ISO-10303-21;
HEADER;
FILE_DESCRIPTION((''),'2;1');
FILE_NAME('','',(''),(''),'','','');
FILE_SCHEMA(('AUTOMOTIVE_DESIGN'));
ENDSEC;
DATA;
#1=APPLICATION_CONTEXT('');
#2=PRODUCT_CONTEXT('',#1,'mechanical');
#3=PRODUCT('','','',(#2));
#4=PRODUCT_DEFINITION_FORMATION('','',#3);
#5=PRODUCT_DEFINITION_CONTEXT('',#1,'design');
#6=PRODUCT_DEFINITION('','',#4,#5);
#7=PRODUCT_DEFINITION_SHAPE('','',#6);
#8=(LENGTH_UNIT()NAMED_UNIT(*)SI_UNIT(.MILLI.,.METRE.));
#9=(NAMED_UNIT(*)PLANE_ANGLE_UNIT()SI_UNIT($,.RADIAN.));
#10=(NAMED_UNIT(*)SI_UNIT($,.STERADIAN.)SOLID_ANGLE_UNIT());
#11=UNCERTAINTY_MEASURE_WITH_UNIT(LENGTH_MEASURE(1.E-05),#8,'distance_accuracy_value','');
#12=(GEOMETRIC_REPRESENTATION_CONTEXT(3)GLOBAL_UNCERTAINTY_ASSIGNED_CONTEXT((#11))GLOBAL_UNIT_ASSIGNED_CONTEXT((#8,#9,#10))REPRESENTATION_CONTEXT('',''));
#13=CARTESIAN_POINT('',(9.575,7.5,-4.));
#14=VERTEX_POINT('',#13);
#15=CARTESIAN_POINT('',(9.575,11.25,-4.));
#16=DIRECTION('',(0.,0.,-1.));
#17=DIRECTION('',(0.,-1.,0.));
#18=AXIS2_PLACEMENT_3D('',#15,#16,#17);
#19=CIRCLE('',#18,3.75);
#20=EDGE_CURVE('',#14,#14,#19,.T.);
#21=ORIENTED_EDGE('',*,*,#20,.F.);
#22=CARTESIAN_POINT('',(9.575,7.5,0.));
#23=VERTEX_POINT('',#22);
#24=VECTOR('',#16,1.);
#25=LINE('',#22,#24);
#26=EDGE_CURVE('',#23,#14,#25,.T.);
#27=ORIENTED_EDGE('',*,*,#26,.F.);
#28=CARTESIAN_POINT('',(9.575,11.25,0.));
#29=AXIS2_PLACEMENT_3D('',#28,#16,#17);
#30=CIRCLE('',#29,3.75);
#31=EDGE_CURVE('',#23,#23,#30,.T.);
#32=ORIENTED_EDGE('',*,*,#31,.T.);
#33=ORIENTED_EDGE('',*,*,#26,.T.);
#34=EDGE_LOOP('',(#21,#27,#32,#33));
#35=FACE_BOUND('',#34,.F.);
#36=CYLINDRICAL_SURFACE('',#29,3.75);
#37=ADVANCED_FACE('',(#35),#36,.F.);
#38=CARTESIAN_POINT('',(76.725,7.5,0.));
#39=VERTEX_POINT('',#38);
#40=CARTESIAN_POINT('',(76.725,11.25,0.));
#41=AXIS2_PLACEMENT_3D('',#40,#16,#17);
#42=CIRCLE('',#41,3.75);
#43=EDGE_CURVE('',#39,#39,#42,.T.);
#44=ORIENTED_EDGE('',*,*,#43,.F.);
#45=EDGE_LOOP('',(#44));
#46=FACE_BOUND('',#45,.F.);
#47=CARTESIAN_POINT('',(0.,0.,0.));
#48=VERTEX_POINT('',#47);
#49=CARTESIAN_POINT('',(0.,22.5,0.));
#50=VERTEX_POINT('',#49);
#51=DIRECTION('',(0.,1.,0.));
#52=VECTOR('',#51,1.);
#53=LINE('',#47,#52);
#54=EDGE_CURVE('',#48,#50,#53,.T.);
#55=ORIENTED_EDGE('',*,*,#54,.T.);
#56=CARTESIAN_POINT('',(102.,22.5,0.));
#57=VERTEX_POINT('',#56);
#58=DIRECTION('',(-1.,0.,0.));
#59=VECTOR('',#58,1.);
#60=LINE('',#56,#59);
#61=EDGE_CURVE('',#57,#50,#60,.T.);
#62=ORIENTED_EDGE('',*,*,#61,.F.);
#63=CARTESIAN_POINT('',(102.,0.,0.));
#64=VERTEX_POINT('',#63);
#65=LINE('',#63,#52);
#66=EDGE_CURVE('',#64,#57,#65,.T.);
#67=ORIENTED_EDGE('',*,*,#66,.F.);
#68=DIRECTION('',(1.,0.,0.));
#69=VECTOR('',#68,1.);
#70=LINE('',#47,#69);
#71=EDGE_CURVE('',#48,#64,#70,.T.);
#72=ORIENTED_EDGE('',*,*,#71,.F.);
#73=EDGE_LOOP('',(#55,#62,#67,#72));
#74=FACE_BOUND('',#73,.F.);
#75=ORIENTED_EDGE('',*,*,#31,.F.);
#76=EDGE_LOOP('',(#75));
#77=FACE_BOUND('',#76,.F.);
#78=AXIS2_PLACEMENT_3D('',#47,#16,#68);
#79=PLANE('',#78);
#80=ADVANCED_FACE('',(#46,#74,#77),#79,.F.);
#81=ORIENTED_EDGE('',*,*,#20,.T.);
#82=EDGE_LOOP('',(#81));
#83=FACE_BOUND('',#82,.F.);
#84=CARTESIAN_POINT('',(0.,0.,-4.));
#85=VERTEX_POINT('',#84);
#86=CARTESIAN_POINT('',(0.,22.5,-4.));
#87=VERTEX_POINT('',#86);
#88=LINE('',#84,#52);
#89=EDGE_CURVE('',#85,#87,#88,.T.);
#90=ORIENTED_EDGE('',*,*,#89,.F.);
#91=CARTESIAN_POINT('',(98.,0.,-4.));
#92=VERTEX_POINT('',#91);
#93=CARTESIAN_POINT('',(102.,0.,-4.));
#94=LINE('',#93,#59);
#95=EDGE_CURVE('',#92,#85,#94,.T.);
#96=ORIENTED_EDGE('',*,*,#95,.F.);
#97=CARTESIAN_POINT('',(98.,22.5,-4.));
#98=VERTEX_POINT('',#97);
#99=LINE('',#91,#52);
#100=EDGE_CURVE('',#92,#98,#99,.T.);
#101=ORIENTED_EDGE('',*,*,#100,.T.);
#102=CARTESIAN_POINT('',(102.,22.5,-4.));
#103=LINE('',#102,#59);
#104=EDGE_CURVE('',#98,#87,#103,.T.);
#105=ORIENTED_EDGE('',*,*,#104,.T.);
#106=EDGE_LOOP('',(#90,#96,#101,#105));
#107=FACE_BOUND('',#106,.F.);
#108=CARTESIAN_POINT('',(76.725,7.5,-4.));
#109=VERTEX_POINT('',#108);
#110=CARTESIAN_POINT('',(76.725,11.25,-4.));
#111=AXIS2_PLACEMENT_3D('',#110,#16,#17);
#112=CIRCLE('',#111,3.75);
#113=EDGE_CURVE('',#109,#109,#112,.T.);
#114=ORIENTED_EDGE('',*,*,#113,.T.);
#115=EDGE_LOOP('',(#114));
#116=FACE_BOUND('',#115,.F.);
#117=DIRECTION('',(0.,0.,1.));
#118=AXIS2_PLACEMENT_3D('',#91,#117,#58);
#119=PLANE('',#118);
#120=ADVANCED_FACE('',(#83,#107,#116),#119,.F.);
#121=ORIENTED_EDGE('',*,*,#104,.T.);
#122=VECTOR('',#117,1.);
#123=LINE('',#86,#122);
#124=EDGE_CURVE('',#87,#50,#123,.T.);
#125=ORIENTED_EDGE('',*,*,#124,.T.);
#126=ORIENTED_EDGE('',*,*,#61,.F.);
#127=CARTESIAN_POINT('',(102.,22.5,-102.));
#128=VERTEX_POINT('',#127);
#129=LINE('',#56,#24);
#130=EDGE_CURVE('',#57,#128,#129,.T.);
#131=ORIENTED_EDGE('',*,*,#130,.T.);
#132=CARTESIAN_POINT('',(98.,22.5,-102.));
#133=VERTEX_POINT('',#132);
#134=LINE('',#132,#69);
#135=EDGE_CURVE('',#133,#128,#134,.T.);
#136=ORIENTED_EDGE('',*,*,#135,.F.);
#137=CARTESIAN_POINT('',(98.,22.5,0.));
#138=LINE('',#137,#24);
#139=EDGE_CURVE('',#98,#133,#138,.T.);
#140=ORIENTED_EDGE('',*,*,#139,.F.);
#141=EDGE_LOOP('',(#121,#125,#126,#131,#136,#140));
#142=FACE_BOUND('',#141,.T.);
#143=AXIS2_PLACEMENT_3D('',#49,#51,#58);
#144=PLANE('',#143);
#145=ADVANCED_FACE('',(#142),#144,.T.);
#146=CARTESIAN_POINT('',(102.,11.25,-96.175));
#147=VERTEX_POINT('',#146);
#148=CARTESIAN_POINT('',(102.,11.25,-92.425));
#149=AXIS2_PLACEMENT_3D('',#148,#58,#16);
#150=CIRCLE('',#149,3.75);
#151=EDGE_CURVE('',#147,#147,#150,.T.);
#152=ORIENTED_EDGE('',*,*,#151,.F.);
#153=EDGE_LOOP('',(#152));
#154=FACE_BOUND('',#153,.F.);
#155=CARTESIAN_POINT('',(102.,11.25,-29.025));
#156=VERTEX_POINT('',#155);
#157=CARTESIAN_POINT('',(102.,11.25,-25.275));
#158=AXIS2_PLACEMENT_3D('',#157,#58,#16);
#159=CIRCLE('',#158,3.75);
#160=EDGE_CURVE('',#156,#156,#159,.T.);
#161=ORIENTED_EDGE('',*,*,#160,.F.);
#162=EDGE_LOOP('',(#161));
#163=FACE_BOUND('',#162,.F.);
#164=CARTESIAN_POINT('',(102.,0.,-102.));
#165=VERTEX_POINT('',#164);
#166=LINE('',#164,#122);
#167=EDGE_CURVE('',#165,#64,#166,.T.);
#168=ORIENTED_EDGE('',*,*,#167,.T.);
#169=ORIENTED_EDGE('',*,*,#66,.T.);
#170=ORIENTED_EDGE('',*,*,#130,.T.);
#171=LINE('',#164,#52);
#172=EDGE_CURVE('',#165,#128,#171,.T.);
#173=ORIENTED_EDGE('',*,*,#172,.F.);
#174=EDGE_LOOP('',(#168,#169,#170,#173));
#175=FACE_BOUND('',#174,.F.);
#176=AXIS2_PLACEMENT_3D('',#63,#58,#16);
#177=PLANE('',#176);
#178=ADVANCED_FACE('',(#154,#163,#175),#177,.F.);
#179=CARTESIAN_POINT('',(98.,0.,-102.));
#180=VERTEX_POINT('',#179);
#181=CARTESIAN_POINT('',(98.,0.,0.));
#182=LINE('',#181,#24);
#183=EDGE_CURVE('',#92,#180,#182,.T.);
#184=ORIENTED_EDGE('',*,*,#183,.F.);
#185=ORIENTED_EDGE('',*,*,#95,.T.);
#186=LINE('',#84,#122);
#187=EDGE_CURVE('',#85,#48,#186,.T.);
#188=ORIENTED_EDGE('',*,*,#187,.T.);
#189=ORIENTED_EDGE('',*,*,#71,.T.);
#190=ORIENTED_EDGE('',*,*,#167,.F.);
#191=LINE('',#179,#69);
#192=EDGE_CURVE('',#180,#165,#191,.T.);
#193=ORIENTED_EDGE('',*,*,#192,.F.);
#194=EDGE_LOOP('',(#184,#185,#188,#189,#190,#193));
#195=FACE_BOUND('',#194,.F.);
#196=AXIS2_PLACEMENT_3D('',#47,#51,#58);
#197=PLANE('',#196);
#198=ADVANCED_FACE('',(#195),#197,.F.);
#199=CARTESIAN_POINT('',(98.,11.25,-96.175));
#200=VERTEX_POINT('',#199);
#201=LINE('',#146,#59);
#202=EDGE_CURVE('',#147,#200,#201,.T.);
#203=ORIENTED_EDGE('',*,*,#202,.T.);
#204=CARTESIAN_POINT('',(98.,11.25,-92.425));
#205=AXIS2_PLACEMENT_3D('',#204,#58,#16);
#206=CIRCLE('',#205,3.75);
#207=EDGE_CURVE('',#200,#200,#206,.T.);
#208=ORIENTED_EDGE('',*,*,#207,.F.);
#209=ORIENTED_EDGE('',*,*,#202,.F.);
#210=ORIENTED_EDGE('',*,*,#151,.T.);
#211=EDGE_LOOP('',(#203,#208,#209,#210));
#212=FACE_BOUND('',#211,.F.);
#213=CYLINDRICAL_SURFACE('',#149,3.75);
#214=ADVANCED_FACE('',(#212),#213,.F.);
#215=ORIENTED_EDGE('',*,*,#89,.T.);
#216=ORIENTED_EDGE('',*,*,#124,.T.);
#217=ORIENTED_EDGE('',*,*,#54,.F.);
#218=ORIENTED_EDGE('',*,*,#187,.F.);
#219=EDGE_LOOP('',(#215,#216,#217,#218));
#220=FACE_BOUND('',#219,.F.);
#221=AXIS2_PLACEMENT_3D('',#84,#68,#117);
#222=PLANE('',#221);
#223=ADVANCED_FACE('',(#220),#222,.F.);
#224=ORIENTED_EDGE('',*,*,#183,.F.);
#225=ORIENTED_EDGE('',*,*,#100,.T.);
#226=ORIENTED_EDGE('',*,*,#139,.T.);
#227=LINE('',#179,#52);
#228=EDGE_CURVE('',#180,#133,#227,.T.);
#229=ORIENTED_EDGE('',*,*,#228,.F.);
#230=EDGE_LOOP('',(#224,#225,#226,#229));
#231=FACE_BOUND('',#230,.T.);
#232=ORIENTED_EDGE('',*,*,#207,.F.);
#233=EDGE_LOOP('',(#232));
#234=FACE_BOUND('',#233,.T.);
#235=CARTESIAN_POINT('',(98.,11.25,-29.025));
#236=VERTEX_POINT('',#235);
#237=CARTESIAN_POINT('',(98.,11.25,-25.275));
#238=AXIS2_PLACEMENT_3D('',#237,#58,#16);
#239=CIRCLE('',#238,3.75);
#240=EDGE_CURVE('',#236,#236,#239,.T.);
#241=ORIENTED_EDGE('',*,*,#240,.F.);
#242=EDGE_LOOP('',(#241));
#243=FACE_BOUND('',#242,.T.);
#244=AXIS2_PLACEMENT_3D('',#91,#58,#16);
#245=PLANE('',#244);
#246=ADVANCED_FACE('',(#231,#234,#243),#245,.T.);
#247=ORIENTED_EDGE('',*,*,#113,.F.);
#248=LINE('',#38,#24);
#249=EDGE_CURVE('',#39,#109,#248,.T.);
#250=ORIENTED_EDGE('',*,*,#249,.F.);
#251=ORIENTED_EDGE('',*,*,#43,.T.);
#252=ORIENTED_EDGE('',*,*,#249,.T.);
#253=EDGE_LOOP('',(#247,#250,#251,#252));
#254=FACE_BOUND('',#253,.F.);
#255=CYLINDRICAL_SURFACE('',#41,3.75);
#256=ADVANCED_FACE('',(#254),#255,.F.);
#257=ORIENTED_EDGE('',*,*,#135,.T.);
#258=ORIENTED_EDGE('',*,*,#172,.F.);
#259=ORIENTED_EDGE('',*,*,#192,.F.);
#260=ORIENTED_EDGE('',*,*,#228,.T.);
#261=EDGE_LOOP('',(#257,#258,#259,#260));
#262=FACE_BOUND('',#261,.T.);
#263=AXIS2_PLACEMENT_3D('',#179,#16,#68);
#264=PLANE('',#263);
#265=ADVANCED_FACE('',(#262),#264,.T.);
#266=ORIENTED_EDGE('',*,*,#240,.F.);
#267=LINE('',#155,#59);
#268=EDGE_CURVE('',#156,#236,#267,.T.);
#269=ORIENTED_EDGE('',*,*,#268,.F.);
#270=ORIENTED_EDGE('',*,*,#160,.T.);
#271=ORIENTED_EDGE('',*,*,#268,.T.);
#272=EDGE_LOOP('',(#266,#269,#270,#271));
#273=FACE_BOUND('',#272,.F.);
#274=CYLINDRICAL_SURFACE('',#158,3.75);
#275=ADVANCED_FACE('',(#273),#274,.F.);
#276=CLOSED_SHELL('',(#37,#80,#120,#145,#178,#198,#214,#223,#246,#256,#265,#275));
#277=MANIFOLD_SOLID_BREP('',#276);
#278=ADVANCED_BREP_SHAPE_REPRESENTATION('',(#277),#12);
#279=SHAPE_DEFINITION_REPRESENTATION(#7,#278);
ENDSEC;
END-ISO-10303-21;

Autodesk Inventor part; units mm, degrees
ref_plane "YZ Plane" through (0, 0, 0) normal (1, 0, 0) x (0, 1, 0)
ref_plane "XZ Plane" through (0, 0, 0) normal (0, 1, 0) x (-1, 0, 0)
ref_plane "XY Plane" through (0, 0, 0) normal (0, 0, 1) x (1, 0, 0)
sketch "Sketch1" plane through (0, 0, 0) normal (0, 1, 0) x (-1, 0, 0)
  line L0 (0, 0) -> (-102, 0)
  line L1 (-102, 0) -> (-102, -4)
  line L2 (-102, -4) -> (0, -4)
  line L3 (0, -4) -> (0, 0)
  line L4 (-102, 0) -> (-98, 0)
  line L5 (-98, 0) -> (-98, -102)
  line L6 (-98, -102) -> (-102, -102)
  line L7 (-102, -102) -> (-102, 0)
  point P0 (-98, -4)
  dimension "d0" = 102
  dimension "d1" = 4
  dimension "d2" = 102
  dimension "d3" = 4
extrude "Extrusion1" add sketch "Sketch1" along normal blind 22.5
sketch "Sketch2" plane through (102, 0, 0) normal (1, 0, 0) x (0, 0, -1)
  line L0 (102, 0) -> (102, 22.5) projected
  line L1 (102, 11.25) -> (96, 11.25) construction
  circle A0 centre (92.425, 11.25) radius 3.575
  line L2 (88.85, 11.25) -> (28.85, 11.25) construction
  circle A1 centre (25.275, 11.25) radius 3.575
  line L3 (0, 0) -> (0, 22.5) projected
  line L4 (0, 22.5) -> (102, 22.5) projected
  point P0 (0, 11.25)
  dimension "d9" = 7.15
  dimension "d6" = 6
  dimension "d7" = 7.15
  dimension "d8" = 60
  dimension "d29" = 25.275
  dimension "d30" = 11.25
sketch "Sketch3" plane through (0, 0, 0) normal (0, 0, 1) x (1, 0, 0)
  line L0 (102, 0) -> (102, 22.5) projected
  circle A0 centre (76.725, 11.25) radius 3.575
  line L1 (73.15, 11.25) -> (13.15, 11.25)
  circle A1 centre (9.575, 11.25) radius 3.575
  line L2 (0, 11.25) -> (6, 11.25)
  point P0 (0, 0)
  dimension "d11" = 7.15
  dimension "d12" = 60
  dimension "d13" = 7.15
  dimension "d28" = 6
hole "Hole1" at (102, 11.25, -92.425) at (102, 11.25, -25.275) direction (-1, 0, 0) diameter 7.5 depth 10
hole "Hole2" at (9.575, 11.25, 0) at (76.725, 11.25, 0) direction (0, 0, -1) diameter 7.5 depth 10
properties part number "Lbracket"
